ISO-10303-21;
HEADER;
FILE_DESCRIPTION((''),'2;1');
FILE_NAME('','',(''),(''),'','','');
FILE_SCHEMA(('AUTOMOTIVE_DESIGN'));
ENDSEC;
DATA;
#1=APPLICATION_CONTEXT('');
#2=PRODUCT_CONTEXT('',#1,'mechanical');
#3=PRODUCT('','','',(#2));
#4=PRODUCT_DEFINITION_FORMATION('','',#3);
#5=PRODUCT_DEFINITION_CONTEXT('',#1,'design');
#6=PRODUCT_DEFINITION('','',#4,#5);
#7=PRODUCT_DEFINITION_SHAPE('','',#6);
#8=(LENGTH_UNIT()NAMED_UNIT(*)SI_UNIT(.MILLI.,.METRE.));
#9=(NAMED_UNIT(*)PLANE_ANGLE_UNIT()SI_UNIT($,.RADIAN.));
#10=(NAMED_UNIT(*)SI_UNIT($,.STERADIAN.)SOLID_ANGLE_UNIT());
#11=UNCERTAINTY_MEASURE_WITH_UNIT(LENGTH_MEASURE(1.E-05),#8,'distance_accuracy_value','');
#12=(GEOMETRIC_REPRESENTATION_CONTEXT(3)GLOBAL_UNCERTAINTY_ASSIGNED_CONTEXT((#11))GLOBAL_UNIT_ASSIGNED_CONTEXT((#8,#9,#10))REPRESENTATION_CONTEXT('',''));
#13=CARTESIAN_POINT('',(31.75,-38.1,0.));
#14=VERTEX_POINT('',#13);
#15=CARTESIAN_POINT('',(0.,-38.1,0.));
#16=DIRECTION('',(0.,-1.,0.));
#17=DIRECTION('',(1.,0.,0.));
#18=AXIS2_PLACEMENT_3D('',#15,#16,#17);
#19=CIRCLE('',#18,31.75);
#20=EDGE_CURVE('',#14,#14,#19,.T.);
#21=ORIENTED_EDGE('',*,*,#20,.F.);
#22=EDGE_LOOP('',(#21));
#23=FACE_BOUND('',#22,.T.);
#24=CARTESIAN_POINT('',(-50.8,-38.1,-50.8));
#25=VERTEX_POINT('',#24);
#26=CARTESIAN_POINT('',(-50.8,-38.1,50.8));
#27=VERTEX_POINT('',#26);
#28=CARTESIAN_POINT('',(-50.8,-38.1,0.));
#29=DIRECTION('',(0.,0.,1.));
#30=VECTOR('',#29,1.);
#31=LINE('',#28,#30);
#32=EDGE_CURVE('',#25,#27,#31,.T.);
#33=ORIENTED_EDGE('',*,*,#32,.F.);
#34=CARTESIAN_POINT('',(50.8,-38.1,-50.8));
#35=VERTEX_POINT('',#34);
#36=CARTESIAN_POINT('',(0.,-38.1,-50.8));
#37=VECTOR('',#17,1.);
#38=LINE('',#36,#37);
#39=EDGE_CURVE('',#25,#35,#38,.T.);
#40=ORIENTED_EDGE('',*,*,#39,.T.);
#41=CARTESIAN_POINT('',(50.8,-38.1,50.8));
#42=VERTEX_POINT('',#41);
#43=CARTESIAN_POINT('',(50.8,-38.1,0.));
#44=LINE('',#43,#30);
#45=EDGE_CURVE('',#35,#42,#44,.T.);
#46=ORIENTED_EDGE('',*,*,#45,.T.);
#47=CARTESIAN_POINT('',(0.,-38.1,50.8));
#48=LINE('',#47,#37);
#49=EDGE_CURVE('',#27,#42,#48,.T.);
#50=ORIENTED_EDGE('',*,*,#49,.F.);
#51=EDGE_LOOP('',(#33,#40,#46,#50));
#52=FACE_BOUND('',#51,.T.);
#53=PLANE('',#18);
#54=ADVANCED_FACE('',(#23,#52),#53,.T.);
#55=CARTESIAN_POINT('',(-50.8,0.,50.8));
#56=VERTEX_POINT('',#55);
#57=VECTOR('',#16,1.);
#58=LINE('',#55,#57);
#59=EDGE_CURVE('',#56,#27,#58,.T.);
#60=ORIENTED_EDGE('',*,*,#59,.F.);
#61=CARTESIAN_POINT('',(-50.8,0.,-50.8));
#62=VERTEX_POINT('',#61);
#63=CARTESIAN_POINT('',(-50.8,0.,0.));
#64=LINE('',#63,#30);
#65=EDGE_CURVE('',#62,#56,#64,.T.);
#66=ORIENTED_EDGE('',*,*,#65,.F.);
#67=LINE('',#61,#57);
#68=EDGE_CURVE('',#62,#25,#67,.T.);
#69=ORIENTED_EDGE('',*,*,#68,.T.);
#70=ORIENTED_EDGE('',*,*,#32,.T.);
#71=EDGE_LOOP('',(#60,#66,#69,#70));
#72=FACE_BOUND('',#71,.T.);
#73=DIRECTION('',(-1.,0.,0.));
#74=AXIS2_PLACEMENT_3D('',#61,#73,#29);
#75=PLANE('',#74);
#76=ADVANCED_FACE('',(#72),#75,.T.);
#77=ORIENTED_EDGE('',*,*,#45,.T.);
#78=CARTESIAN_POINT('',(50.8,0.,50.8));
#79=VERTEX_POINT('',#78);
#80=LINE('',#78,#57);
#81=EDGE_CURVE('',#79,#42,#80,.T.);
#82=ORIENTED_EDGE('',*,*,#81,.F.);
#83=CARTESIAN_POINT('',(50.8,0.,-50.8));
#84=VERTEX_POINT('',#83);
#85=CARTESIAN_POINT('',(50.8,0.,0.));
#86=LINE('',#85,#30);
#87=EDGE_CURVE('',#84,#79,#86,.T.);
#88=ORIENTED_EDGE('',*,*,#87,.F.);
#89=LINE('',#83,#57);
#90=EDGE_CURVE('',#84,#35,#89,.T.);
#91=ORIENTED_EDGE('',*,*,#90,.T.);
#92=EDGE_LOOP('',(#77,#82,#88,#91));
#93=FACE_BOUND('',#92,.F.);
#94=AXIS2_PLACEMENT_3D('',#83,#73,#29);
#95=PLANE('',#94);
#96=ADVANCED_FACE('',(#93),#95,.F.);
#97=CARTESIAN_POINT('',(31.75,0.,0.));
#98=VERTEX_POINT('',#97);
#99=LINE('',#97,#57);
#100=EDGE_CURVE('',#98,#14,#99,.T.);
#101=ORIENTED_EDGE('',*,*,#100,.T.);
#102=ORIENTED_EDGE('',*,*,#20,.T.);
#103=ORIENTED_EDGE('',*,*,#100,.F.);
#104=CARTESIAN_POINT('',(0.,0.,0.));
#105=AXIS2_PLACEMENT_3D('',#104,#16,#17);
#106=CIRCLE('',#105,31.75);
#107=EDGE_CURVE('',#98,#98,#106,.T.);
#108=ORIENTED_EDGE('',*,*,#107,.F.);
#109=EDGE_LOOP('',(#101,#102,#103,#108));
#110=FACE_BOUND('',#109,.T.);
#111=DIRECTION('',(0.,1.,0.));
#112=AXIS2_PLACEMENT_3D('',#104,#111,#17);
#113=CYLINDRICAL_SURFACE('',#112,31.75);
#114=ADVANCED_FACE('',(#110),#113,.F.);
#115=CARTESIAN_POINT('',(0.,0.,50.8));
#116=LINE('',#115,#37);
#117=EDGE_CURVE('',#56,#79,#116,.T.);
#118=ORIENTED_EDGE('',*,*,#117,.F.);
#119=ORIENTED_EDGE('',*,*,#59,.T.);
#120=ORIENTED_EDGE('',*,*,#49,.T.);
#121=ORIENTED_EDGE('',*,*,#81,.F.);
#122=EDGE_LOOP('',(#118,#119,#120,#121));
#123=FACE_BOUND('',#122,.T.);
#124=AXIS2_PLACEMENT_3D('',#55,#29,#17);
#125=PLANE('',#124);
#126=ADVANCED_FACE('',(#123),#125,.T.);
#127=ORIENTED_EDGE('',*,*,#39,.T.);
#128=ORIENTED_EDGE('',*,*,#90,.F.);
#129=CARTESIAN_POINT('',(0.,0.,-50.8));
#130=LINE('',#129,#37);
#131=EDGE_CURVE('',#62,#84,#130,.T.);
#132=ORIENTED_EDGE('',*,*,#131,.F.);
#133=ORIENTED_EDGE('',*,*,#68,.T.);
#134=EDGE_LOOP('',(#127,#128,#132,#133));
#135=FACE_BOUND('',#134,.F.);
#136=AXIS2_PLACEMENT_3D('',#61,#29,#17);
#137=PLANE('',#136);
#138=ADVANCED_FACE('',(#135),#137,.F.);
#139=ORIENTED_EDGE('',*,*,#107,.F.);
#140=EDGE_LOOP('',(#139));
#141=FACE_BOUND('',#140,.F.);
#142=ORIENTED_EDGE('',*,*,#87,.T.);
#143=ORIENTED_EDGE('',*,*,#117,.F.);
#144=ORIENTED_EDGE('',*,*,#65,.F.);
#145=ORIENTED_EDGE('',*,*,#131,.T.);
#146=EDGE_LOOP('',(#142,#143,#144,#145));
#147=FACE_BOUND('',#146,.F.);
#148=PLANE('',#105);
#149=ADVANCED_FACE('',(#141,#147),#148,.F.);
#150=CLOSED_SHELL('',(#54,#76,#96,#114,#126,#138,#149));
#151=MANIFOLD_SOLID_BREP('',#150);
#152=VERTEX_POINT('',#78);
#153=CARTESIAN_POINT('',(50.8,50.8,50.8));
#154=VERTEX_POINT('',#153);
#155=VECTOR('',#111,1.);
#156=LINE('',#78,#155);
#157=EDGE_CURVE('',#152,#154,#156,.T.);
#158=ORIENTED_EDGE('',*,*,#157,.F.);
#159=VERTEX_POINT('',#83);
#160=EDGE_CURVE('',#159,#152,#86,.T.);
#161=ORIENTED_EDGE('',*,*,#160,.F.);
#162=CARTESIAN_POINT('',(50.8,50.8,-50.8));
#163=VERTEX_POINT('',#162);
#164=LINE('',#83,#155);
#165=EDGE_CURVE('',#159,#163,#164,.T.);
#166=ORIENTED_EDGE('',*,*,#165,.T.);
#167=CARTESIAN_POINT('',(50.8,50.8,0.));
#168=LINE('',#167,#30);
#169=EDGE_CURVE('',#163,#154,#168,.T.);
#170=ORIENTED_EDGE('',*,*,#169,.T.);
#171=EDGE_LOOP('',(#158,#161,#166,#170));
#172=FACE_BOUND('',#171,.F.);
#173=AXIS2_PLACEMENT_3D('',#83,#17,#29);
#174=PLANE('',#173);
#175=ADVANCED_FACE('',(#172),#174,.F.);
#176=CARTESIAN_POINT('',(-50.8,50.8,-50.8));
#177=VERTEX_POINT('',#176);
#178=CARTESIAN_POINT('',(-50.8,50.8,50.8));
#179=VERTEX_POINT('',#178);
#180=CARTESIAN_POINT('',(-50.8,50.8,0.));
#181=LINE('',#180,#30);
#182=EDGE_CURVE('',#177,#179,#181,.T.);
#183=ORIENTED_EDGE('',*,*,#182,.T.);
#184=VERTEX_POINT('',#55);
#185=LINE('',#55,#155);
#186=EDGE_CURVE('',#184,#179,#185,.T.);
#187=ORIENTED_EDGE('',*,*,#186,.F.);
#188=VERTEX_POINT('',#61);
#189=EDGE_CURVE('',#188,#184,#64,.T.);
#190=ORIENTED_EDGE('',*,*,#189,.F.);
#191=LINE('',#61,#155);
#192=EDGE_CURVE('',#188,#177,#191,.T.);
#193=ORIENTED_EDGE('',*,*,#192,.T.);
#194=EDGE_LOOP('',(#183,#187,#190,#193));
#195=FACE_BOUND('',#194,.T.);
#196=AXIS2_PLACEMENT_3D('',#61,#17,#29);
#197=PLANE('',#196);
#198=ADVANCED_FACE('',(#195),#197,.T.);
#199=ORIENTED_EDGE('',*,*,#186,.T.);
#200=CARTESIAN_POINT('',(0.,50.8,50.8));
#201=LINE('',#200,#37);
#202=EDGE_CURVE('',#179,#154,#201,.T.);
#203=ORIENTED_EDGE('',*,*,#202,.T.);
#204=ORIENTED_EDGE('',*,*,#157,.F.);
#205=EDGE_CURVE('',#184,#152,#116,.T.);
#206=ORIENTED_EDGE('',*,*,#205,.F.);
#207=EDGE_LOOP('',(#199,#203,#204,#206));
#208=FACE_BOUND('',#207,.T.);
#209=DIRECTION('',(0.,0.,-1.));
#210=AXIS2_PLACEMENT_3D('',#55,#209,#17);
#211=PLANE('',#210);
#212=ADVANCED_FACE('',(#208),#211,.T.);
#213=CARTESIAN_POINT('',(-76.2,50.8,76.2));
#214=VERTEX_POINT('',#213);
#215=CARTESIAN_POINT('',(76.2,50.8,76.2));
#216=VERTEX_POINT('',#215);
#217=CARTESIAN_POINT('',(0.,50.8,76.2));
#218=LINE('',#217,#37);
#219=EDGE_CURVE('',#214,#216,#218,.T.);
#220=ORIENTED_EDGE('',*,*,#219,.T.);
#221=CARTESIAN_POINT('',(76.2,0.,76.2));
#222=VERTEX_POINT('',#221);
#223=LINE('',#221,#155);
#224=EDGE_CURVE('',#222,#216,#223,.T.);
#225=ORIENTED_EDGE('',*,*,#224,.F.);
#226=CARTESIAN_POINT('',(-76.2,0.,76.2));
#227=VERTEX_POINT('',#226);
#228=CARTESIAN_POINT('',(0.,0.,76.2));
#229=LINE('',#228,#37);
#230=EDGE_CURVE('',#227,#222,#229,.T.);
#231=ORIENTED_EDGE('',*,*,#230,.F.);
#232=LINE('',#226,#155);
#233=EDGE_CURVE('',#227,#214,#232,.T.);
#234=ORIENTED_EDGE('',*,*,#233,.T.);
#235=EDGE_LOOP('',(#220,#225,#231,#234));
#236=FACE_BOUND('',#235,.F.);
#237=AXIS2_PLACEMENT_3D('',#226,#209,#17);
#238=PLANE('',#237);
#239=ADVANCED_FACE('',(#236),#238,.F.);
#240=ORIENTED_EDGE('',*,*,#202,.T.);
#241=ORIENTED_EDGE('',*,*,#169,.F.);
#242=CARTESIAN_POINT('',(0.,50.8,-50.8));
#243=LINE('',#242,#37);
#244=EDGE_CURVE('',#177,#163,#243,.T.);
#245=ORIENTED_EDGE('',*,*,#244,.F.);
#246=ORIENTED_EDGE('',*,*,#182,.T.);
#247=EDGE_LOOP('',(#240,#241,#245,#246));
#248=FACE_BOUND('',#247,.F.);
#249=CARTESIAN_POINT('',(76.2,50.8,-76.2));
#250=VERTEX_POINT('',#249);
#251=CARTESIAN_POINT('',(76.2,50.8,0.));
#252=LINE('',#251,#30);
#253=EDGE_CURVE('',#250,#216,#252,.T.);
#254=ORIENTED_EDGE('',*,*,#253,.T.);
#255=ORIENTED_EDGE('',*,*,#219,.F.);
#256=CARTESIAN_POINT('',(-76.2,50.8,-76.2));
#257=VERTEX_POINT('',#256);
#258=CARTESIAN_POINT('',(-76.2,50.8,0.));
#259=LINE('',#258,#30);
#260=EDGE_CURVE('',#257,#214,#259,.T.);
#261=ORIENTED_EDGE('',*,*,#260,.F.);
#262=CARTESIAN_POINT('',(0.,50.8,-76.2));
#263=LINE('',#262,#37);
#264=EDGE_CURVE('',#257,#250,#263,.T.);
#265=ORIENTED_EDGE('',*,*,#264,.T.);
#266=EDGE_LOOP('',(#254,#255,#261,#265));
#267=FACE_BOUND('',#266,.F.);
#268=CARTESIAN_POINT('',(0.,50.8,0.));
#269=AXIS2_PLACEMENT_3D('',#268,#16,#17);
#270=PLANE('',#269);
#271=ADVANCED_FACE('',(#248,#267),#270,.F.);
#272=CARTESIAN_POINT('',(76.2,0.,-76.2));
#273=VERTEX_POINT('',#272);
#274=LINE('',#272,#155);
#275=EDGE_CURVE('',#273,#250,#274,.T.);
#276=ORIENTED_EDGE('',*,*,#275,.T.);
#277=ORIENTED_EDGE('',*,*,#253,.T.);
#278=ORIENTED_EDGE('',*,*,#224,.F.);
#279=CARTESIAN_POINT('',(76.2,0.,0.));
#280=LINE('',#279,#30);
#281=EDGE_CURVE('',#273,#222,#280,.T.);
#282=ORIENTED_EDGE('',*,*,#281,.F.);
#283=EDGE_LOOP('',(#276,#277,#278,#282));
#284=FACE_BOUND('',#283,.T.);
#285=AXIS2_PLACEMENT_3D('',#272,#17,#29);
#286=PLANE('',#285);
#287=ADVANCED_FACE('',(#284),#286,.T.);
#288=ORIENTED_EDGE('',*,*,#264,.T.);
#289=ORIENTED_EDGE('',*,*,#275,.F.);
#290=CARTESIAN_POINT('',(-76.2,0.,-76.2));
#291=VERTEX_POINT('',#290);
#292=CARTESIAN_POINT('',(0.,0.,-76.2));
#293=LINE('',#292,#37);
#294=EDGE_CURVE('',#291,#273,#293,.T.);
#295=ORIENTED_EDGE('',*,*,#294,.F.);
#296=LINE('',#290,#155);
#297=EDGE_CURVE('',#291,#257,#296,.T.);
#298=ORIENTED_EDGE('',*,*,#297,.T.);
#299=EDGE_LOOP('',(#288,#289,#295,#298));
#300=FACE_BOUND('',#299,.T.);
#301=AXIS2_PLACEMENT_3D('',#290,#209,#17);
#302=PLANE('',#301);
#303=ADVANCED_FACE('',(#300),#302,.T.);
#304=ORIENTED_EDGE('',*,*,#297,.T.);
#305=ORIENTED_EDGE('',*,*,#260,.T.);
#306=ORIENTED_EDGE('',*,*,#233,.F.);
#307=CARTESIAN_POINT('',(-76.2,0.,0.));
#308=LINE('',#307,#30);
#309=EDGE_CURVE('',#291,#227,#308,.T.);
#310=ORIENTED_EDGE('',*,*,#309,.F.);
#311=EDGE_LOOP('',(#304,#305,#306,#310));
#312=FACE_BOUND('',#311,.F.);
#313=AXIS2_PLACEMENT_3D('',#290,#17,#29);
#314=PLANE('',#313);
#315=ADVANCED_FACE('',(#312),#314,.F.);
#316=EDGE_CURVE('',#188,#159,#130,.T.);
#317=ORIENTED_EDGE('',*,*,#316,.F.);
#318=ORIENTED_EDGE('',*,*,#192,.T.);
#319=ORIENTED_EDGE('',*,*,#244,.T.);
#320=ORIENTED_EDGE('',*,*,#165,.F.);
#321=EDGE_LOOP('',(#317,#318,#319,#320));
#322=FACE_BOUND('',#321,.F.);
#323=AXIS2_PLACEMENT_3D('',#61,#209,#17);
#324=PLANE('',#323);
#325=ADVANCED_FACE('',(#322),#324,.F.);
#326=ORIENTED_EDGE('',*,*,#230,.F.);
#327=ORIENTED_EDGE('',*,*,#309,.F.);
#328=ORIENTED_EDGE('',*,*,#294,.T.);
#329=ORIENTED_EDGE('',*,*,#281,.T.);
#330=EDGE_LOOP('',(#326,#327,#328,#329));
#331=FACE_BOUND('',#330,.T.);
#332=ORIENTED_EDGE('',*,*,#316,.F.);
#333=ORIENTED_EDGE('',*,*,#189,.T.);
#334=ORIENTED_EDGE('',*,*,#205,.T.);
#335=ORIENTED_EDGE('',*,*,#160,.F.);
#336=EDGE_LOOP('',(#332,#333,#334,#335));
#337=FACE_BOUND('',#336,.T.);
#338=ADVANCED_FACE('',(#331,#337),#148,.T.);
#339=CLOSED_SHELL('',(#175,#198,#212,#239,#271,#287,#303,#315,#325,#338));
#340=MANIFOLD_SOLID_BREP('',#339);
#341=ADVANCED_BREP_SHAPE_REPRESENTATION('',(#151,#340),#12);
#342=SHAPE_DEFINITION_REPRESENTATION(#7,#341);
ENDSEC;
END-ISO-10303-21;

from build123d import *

# Parameters (mm, degrees)
F0_W     = 101.6
F0_H     = 101.6
F0_R     = 31.75
F1_DEPTH = 38.1
F0_W_2   = 152.4
F0_H_2   = 152.4
F2_DEPTH = 50.8


with BuildPart() as f1:
    # F0 (on Front) → F1 (new body)
    with BuildSketch(Plane.XZ):
        Rectangle(F0_W, F0_H)
        Circle(F0_R, mode=Mode.SUBTRACT)
    extrude(amount=F1_DEPTH)

    # F0 (on Front) → F2 (join)
    with BuildSketch(Plane.XZ):
        Rectangle(F0_W_2, F0_H_2)
        Rectangle(F0_W, F0_H, mode=Mode.SUBTRACT)
    extrude(amount=-F2_DEPTH)


solid = f1.part
